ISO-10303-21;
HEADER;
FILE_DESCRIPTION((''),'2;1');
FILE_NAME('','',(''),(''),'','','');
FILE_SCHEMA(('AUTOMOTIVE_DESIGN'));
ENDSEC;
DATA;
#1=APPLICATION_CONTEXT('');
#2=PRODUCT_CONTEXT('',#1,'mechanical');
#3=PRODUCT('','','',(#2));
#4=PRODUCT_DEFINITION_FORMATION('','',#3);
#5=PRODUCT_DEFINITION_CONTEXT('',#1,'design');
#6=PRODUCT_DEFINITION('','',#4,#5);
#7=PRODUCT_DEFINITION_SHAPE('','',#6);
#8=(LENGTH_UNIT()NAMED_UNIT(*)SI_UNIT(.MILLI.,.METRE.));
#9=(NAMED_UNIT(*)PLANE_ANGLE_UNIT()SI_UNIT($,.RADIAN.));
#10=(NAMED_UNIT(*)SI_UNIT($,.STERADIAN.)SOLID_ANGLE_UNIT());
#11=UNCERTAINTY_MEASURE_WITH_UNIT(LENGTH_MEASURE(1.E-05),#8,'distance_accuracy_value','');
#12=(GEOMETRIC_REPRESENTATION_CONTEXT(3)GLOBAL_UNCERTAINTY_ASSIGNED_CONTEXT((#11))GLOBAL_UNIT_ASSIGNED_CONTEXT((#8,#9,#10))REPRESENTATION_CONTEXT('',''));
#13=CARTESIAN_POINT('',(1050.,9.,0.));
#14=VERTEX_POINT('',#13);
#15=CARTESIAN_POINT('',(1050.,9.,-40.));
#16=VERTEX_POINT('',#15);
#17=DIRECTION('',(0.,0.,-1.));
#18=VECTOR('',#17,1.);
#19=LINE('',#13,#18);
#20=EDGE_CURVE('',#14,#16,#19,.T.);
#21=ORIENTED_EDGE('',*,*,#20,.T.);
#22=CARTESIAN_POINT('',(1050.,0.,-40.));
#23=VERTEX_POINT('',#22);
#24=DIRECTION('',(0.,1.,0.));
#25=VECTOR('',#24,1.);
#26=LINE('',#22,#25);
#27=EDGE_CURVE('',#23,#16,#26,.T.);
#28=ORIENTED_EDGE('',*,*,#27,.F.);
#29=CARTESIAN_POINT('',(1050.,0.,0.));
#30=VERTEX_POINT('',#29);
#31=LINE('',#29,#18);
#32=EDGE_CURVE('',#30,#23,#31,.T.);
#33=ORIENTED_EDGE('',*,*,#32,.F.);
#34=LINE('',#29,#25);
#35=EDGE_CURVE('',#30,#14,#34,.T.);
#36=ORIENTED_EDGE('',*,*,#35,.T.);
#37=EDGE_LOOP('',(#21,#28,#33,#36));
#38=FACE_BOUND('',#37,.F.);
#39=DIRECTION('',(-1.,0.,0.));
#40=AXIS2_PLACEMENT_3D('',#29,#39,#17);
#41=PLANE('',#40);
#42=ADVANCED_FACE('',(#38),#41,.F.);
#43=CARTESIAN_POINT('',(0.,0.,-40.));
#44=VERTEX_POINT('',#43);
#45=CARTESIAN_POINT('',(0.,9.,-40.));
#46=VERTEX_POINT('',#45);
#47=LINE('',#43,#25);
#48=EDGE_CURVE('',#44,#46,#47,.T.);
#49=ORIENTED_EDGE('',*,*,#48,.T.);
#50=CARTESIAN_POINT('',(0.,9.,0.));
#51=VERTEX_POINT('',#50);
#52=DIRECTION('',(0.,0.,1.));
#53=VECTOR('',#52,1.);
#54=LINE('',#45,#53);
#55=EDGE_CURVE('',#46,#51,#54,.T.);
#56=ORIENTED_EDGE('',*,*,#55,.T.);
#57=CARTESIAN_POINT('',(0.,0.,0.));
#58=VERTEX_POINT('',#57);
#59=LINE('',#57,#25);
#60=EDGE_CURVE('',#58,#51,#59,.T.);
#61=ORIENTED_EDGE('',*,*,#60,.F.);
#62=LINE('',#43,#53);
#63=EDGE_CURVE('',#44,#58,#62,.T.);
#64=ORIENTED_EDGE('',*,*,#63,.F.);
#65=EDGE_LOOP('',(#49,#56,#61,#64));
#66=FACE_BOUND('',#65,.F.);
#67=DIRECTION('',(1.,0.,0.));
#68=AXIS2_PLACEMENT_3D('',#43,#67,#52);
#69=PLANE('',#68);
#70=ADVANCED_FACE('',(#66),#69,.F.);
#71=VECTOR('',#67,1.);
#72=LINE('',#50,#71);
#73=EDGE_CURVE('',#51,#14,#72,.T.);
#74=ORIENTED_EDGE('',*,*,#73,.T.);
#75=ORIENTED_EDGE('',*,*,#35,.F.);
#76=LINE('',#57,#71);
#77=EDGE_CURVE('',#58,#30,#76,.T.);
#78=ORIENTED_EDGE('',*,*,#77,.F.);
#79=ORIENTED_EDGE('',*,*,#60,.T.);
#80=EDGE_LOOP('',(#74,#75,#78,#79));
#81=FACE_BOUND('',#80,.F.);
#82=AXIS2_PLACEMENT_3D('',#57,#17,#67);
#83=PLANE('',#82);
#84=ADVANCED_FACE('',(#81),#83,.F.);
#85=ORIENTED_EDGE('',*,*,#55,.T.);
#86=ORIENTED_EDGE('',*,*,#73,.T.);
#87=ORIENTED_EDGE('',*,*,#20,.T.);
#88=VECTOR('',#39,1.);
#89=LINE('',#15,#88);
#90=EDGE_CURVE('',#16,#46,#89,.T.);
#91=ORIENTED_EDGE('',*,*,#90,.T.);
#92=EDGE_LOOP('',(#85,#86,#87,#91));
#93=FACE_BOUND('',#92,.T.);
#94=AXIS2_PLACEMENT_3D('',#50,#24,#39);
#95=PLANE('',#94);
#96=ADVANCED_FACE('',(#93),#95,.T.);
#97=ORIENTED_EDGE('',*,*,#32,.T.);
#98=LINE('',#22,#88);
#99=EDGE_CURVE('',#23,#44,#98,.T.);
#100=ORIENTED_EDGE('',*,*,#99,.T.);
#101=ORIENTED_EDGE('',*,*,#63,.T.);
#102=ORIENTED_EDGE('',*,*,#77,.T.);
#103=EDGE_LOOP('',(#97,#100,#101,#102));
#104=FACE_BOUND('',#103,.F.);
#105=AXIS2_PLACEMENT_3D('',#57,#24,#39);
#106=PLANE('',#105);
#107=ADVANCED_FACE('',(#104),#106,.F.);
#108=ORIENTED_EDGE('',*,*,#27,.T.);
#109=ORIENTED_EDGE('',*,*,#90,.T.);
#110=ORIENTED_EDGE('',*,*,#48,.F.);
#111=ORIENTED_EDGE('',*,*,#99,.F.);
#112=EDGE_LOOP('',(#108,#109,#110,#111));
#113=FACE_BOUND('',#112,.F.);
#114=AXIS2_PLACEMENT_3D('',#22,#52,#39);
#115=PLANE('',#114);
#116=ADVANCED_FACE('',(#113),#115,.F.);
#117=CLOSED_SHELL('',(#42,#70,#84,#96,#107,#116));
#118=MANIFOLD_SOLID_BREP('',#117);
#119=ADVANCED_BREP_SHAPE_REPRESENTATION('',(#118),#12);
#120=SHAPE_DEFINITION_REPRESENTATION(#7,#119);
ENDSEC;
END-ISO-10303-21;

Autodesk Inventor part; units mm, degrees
ref_plane "YZ Plane" through (0, 0, 0) normal (1, 0, 0) x (0, 1, 0)
ref_plane "XZ Plane" through (0, 0, 0) normal (0, 1, 0) x (-1, 0, 0)
ref_plane "XY Plane" through (0, 0, 0) normal (0, 0, 1) x (1, 0, 0)
sketch "Sketch1" plane through (0, 0, 0) normal (0, 1, 0) x (-1, 0, 0)
  line L0 (0, 0) -> (-1050, 0)
  line L1 (-1050, 0) -> (-1050, -40)
  line L2 (-1050, -40) -> (0, -40)
  line L3 (0, -40) -> (0, 0)
  dimension "d0" = 1050
  dimension "d1" = 40
extrude "Extrusion1" add sketch "Sketch1" along normal blind 9
properties part number "short"
